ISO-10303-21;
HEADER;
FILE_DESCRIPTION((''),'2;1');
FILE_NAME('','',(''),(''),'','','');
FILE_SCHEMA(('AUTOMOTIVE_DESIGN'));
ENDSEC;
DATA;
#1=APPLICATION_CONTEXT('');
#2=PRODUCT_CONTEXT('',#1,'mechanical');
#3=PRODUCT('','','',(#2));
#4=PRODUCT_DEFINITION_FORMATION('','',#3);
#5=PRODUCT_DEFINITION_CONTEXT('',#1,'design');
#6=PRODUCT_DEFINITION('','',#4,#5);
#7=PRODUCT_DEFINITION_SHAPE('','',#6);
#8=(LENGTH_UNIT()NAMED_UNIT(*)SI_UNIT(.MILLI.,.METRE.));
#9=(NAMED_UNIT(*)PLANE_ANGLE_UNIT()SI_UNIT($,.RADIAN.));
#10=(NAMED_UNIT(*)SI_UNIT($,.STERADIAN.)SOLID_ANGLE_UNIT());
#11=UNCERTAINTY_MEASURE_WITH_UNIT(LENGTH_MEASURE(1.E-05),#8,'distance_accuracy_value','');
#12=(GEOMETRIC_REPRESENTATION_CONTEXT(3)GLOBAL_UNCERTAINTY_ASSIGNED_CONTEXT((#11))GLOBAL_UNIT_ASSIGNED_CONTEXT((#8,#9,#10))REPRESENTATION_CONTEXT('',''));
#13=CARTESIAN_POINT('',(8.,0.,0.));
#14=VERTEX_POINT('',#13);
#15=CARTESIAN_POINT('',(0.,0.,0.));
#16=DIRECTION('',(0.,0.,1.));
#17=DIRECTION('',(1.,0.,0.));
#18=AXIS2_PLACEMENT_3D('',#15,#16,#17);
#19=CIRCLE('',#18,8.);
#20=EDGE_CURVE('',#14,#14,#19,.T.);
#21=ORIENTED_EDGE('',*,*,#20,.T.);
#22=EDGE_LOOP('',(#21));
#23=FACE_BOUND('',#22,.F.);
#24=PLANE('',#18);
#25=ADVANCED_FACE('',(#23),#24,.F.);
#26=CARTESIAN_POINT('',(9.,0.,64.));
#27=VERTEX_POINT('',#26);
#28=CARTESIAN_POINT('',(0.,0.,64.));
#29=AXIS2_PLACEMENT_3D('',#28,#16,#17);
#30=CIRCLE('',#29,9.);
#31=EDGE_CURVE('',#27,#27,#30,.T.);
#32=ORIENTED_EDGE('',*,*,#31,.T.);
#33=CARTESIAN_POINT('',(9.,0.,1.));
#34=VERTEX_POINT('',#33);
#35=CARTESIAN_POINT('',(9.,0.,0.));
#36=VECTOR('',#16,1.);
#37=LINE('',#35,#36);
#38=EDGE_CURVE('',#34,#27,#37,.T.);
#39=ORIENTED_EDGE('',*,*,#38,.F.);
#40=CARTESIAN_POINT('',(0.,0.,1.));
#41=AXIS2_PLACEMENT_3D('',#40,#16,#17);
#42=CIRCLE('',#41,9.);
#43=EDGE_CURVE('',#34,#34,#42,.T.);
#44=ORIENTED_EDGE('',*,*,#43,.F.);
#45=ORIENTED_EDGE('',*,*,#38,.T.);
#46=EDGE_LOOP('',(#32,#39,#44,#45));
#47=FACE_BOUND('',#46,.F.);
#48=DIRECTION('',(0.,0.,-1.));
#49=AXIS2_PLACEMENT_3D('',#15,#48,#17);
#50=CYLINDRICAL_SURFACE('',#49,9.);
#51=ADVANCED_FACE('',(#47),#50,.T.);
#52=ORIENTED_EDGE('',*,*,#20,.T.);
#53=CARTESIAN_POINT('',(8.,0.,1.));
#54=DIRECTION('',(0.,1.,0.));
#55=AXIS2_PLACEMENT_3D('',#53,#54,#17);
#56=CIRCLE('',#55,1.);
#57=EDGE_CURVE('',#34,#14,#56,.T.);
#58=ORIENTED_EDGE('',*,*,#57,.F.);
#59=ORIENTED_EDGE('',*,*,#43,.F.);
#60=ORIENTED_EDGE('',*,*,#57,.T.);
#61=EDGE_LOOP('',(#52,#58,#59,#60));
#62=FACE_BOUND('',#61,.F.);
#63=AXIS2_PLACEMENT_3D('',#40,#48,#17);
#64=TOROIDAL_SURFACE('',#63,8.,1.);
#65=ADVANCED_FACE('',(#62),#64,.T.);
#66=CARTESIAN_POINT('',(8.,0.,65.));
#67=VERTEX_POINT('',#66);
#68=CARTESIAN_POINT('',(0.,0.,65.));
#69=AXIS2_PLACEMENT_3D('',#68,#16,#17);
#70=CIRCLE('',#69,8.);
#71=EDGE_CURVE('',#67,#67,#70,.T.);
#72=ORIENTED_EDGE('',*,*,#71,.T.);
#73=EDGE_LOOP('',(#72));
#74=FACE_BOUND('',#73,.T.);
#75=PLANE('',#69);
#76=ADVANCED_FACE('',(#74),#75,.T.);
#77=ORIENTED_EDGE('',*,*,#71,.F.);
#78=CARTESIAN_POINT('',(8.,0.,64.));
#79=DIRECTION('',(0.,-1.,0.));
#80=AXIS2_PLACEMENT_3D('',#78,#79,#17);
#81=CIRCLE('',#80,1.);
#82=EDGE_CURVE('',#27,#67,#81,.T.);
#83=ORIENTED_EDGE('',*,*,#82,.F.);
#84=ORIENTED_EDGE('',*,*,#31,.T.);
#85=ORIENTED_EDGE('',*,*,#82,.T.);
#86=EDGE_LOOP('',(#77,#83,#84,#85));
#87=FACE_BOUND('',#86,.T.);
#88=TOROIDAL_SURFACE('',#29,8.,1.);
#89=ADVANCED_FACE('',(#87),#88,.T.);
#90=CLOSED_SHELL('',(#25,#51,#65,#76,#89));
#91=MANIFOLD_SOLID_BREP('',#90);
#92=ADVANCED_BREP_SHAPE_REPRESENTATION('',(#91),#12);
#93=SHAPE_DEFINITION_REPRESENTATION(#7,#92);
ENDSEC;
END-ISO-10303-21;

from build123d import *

# Parameters (mm, degrees)
SKETCH_R  = 9
PAD_DEPTH = 65
FILLET_R  = 1


with BuildPart() as part:
    # Sketch → Pad (new body)
    with BuildSketch(Plane.XY):
        Circle(SKETCH_R)
    extrude(amount=PAD_DEPTH)

    # Fillet
    fillet_edges = [part.edges().sort_by_distance(p)[0] for p in [
        (-9, 0, 65),
        (-9, 0, 0),
    ]]
    fillet(fillet_edges, radius=FILLET_R)


solid = part.part
